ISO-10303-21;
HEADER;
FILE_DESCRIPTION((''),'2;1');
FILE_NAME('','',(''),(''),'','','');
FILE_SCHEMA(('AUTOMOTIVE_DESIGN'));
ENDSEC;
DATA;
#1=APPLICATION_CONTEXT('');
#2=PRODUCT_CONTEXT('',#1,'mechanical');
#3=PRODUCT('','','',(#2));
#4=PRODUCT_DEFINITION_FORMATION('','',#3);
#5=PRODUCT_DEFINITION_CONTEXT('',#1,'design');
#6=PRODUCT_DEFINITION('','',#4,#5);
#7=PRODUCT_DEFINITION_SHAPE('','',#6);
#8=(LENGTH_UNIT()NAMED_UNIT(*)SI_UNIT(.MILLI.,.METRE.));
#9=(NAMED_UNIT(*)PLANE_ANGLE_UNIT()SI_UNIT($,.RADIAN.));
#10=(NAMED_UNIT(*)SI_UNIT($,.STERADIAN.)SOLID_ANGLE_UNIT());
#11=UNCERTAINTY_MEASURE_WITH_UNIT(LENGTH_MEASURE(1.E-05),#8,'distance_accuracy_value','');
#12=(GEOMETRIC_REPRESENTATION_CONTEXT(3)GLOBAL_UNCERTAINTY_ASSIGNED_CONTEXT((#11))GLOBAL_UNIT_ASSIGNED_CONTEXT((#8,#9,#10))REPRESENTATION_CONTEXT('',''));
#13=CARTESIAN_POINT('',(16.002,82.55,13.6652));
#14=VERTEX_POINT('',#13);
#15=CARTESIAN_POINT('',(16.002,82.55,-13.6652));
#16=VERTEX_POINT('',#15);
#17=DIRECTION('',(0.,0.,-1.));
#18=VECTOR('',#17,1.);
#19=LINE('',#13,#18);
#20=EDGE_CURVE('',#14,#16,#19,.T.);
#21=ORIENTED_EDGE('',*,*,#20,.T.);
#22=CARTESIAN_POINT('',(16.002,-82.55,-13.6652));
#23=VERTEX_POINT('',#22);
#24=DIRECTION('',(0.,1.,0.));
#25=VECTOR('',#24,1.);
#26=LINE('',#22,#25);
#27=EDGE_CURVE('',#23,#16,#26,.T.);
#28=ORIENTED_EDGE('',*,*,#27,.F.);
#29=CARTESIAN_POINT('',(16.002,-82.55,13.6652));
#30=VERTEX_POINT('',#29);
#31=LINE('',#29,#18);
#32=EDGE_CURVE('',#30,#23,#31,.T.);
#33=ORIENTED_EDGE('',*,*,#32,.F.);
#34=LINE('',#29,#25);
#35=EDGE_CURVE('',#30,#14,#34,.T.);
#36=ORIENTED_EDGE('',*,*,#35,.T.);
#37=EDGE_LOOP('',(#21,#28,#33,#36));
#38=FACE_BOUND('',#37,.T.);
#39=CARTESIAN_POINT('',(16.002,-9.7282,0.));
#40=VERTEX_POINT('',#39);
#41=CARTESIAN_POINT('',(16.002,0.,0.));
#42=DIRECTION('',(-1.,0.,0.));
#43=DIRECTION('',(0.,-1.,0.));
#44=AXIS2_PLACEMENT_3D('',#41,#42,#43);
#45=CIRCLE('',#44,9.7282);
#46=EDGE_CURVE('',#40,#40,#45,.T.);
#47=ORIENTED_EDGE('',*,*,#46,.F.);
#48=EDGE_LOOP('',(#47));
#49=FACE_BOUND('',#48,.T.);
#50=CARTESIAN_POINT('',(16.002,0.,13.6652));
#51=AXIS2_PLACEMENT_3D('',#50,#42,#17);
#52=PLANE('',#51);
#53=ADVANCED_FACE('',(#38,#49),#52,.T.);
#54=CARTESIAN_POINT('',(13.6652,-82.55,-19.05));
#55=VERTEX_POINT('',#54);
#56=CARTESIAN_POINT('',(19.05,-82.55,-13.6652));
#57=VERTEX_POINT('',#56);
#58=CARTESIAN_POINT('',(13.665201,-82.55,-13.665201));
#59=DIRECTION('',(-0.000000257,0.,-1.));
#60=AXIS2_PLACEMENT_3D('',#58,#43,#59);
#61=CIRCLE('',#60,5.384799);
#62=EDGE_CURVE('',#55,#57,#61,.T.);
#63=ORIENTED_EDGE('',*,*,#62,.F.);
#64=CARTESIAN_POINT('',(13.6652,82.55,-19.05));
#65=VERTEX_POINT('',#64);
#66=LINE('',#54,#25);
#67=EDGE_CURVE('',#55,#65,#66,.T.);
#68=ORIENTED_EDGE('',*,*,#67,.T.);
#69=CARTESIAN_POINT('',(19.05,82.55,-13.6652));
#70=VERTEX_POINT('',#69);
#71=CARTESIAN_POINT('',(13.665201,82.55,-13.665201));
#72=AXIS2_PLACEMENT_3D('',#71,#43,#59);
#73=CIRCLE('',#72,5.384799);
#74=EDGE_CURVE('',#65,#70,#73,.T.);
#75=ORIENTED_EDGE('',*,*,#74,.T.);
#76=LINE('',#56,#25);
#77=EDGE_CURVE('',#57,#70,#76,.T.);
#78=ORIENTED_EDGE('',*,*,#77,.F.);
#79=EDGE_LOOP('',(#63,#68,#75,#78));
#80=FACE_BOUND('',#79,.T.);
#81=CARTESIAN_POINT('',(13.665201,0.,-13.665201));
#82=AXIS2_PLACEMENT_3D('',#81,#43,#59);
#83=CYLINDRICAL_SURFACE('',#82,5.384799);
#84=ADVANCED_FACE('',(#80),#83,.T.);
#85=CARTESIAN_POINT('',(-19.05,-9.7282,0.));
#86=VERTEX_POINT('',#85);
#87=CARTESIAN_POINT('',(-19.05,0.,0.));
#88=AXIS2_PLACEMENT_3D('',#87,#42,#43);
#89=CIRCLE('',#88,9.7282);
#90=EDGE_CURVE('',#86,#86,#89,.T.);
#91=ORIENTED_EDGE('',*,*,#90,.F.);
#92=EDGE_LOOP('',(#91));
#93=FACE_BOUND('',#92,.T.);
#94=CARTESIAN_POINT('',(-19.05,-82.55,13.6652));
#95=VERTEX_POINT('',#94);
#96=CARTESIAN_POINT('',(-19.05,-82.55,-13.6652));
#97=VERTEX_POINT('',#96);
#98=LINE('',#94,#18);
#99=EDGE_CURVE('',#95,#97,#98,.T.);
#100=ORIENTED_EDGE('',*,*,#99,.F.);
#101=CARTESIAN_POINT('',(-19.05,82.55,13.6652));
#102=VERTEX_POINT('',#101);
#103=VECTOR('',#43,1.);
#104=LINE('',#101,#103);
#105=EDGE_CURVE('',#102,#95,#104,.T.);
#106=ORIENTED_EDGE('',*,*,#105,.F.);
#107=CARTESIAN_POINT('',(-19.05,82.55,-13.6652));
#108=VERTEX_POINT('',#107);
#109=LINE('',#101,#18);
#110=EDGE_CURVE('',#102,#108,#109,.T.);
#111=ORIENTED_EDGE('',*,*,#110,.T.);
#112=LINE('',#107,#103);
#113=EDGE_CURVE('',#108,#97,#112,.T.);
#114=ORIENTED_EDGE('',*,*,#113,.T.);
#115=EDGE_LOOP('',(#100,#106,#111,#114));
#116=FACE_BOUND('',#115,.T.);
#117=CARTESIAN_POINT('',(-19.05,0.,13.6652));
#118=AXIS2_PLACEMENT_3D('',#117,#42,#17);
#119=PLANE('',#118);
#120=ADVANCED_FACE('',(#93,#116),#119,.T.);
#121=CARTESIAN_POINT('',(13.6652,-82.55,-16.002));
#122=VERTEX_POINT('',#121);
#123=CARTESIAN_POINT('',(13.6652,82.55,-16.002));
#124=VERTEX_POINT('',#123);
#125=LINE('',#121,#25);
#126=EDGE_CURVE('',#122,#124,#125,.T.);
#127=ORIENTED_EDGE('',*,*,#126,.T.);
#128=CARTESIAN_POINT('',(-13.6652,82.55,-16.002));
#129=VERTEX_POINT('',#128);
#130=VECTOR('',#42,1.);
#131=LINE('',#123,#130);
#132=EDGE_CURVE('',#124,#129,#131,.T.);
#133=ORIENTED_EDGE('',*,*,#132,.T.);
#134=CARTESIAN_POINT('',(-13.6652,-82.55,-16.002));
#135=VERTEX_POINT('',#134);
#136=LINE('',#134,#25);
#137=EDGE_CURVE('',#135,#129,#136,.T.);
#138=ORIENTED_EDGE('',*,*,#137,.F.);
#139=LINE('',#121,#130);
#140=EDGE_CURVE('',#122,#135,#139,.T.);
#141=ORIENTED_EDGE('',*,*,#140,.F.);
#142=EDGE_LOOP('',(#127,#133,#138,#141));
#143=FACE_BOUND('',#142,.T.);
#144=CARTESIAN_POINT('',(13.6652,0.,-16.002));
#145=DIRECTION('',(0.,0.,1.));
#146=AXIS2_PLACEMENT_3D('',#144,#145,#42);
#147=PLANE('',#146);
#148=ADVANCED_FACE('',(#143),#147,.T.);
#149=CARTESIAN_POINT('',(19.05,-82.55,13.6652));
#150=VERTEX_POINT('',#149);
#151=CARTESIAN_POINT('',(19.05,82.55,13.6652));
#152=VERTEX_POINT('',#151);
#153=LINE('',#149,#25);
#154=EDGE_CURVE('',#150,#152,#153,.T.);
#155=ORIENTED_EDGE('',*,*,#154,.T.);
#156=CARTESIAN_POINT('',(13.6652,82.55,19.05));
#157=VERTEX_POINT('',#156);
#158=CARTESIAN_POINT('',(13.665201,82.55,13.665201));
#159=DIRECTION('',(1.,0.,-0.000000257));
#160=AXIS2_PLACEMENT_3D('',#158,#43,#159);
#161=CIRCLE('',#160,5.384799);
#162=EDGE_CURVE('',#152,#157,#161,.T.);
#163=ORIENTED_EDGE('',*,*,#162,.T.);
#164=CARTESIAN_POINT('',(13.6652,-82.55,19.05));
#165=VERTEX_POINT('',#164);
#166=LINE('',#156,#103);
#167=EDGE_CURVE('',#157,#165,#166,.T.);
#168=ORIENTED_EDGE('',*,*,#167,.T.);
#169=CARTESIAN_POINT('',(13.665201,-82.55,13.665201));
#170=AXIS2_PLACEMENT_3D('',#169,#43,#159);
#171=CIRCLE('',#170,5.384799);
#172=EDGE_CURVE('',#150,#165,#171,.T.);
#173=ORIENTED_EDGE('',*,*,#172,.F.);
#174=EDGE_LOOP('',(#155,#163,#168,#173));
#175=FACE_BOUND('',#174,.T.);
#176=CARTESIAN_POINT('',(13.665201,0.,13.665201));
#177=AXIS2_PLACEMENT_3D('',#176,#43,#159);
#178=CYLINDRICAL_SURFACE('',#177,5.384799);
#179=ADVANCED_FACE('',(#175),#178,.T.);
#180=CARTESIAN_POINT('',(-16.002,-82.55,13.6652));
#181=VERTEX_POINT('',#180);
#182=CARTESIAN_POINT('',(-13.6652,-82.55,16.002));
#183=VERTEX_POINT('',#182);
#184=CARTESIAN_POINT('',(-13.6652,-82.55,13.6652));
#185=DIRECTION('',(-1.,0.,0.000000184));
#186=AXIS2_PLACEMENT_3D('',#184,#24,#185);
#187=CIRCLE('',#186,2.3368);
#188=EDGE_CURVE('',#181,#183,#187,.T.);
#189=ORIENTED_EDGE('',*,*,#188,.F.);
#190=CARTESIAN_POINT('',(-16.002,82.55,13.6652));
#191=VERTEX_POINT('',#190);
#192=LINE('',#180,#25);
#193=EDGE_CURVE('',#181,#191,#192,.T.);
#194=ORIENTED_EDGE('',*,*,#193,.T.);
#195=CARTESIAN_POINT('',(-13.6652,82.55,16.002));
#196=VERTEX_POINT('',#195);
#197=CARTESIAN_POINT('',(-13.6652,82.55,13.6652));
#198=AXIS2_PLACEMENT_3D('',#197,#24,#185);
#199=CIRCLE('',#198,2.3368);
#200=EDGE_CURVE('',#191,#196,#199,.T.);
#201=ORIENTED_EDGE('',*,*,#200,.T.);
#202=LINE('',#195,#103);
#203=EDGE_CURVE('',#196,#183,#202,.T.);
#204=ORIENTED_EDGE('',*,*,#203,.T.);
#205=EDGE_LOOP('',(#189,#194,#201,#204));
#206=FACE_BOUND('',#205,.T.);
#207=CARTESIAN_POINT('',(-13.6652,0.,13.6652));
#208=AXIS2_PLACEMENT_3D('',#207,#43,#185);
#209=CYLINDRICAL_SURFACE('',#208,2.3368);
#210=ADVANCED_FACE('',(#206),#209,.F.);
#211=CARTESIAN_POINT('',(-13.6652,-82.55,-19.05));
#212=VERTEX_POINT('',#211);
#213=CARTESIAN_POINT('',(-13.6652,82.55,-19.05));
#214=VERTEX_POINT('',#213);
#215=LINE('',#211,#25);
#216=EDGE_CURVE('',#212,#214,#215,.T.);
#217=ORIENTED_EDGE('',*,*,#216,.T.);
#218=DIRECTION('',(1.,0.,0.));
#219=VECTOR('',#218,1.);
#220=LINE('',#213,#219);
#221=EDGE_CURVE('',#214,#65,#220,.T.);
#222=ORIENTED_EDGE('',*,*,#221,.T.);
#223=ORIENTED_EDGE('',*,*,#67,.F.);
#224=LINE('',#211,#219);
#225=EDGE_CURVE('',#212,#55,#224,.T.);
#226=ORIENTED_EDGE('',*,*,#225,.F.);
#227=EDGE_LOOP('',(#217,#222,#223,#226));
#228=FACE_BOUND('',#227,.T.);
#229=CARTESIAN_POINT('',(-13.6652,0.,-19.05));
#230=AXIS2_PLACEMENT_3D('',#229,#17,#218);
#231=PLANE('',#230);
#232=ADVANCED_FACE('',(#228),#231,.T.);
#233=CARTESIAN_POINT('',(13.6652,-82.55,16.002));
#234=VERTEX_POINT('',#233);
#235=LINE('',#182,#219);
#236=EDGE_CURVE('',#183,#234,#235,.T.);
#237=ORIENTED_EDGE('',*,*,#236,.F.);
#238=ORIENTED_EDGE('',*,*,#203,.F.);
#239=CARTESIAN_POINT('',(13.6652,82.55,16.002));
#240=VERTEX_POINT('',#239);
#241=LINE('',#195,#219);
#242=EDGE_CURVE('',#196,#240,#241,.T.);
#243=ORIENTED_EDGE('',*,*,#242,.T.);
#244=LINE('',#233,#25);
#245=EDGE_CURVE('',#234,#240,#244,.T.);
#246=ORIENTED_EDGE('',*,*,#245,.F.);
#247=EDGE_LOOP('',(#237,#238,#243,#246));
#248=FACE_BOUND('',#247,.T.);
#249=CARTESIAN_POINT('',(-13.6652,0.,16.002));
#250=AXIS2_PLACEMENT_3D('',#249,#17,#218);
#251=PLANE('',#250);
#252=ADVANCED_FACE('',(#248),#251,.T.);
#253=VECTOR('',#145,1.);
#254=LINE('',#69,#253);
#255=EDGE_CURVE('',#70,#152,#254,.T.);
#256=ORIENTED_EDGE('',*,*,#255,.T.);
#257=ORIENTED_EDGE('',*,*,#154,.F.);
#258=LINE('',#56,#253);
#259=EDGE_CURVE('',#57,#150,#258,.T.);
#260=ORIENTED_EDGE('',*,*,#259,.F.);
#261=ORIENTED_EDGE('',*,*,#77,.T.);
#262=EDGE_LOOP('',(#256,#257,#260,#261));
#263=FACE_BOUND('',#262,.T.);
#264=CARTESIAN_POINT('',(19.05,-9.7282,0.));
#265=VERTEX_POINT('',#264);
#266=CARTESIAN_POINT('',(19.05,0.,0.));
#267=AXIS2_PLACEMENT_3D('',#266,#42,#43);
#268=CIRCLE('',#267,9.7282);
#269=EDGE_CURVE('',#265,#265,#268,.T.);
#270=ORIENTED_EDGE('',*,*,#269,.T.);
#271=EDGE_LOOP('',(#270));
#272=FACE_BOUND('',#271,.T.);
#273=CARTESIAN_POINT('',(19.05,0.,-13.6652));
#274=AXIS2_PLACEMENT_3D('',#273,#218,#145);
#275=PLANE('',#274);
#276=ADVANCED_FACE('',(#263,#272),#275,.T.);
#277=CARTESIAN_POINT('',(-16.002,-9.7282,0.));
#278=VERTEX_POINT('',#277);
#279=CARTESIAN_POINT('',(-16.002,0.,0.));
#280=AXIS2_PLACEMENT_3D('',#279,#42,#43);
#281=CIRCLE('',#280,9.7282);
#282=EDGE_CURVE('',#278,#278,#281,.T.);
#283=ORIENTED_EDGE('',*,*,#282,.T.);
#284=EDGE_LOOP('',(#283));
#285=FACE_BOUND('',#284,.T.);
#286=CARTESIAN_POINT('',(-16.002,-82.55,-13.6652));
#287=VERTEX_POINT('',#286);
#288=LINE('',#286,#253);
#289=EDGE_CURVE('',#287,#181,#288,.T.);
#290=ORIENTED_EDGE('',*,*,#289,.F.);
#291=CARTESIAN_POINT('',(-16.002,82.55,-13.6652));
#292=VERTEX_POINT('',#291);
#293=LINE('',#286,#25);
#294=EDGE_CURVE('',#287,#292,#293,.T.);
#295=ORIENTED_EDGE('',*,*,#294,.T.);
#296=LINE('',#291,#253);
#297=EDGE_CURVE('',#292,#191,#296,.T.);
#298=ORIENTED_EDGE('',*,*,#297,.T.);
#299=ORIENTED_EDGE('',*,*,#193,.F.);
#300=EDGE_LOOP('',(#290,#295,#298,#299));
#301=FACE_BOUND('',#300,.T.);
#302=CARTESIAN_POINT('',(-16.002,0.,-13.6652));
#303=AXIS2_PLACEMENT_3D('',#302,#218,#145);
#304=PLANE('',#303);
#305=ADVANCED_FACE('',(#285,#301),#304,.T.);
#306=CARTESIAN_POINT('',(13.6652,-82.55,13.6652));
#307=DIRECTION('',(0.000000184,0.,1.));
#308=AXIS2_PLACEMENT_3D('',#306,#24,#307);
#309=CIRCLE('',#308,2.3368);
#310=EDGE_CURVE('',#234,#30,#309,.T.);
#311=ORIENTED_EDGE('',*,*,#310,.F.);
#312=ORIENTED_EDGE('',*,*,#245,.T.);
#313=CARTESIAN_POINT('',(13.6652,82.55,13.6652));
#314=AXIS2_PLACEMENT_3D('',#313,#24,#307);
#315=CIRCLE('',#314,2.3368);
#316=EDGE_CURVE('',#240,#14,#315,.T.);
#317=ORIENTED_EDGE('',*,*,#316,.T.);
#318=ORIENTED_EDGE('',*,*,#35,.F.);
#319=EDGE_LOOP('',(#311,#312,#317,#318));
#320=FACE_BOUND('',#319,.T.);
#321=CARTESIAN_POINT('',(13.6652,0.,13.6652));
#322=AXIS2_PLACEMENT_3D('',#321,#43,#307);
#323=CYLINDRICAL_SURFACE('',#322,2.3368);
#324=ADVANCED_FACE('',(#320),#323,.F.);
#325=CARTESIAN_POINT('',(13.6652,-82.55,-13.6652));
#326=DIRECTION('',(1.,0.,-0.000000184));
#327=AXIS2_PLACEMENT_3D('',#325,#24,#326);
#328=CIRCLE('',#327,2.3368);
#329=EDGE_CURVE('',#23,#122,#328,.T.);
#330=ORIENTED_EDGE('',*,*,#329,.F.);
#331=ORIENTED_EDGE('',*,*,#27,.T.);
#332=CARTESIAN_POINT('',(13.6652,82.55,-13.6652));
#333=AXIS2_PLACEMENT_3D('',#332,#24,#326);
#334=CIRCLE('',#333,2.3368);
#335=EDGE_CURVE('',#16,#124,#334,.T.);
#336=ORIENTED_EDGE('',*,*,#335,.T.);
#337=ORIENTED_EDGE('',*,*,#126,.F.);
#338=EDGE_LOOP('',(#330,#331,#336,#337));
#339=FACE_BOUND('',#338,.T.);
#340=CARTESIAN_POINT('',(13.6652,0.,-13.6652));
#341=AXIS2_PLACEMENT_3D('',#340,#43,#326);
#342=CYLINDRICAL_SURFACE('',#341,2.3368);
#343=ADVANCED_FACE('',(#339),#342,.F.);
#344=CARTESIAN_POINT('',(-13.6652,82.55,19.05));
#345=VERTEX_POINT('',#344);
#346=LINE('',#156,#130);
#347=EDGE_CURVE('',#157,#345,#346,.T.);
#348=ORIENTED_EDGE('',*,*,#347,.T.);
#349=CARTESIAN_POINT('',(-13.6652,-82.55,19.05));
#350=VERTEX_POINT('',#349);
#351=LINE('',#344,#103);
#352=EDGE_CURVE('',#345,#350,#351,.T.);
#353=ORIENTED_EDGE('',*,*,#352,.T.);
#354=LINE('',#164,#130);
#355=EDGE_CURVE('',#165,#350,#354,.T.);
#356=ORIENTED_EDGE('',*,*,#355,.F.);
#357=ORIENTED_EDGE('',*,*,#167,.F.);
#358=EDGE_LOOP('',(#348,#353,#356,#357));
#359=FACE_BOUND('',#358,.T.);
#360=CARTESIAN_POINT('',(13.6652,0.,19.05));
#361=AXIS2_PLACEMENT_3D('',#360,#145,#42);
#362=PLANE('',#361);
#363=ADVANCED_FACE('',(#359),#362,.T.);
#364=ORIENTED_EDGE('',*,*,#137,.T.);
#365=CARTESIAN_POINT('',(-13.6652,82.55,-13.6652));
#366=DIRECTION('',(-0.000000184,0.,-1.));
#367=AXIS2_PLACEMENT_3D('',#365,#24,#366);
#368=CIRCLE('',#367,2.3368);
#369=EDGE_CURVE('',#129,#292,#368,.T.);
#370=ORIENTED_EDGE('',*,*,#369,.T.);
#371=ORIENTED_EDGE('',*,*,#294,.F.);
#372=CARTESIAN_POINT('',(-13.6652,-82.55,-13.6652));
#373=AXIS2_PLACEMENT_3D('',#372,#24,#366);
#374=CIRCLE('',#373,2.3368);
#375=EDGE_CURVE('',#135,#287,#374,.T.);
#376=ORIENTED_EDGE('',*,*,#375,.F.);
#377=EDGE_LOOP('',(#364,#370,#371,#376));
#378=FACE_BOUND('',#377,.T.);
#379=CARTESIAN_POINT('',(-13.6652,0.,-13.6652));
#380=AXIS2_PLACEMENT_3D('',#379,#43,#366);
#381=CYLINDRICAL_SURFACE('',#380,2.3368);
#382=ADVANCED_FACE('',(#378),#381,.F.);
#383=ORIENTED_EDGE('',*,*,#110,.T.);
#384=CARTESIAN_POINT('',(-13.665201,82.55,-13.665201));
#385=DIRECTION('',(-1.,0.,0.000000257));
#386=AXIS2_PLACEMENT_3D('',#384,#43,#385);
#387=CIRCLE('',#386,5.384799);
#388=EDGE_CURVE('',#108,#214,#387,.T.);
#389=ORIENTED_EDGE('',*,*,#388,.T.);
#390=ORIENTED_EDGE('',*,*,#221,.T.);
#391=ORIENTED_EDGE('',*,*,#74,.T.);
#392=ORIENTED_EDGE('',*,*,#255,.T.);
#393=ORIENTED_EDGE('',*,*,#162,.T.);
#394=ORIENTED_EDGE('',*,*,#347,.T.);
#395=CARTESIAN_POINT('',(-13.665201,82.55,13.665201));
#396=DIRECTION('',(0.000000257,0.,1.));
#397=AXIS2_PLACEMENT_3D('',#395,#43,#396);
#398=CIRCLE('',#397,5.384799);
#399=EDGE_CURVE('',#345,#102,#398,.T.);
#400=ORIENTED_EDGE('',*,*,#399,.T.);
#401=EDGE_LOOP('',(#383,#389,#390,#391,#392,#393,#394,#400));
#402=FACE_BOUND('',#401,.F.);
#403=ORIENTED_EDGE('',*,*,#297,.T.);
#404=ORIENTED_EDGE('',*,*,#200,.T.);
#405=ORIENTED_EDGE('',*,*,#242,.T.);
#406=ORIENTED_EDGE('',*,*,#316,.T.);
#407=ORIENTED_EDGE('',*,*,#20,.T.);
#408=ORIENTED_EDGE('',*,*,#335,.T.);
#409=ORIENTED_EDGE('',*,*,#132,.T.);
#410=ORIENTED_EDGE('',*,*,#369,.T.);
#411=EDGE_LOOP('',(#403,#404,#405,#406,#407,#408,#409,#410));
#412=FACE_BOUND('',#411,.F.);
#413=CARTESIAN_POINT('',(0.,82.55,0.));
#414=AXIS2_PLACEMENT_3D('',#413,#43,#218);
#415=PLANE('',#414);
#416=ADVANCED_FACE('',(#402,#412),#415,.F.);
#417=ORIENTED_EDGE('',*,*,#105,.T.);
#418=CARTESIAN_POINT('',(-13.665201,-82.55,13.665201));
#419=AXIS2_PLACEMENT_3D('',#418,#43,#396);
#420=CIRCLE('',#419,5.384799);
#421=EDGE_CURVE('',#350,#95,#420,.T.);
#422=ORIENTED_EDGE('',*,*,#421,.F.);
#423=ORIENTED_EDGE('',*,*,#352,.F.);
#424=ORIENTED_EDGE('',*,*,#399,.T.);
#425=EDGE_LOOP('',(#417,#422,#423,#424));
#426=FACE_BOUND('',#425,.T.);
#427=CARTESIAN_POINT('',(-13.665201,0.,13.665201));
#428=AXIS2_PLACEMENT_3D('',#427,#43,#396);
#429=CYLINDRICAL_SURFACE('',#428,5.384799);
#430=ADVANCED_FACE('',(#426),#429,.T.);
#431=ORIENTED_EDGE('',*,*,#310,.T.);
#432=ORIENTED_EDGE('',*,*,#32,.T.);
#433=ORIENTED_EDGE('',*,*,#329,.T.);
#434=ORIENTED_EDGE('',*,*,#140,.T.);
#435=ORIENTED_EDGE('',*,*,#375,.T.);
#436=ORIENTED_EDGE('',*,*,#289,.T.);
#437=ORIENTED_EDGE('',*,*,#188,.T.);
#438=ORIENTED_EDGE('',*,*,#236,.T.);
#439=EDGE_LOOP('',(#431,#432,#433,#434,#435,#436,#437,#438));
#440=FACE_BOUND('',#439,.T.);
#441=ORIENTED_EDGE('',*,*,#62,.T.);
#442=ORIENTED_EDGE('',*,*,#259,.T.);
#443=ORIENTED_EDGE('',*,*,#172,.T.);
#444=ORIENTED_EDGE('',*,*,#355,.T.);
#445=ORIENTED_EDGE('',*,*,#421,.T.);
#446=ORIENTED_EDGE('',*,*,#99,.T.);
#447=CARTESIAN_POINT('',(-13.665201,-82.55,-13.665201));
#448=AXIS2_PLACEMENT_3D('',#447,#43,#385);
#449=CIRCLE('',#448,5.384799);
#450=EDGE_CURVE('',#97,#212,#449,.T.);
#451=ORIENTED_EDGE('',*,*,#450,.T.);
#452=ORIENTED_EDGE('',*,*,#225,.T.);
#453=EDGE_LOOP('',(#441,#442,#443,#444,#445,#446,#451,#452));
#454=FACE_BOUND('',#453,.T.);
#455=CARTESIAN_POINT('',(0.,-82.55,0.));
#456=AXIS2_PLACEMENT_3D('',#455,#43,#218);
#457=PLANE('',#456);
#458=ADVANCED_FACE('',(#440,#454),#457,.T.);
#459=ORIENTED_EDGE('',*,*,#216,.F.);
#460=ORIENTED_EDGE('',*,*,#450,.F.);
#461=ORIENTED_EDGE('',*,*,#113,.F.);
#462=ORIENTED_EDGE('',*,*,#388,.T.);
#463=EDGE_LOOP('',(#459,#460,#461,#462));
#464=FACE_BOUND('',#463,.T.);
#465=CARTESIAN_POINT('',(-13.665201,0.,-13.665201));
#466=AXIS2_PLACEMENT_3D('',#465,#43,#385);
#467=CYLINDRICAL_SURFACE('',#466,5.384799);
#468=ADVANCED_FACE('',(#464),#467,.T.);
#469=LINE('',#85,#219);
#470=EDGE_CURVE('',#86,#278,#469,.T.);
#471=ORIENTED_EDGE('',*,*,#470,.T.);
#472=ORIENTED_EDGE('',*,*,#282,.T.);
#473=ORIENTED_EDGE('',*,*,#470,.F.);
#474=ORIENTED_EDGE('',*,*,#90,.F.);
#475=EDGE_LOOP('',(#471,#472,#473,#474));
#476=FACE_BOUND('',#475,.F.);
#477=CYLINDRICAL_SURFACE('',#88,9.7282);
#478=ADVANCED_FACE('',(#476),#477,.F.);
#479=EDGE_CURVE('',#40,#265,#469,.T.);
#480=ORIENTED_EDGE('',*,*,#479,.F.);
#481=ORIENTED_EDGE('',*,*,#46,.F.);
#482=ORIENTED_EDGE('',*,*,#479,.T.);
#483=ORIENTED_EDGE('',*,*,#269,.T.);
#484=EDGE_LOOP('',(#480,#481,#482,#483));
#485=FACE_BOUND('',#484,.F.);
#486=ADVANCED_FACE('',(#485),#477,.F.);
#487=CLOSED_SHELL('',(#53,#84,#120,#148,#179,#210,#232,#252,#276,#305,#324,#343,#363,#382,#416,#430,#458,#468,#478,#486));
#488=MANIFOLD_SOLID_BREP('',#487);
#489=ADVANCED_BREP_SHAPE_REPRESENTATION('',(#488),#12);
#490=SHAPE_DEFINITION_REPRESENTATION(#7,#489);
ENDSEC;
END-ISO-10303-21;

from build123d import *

# Parameters (mm, degrees)
F1_DEPTH = 82.55
F2_R     = 9.7282
F3_DEPTH = 38.101


with BuildPart() as f1:
    # F0 (on Front) → F1 (new body, symmetric)
    with BuildSketch(Plane.XZ):
        with BuildLine():
            ThreePointArc((19.05, 13.6652), (17.472829, 17.472829), (13.6652, 19.05))
            Line((13.6652, 19.05), (-13.6652, 19.05))
            ThreePointArc((-13.6652, 19.05), (-17.472829, 17.472829), (-19.05, 13.6652))
            Line((-19.05, 13.6652), (-19.05, -13.6652))
            ThreePointArc((-19.05, -13.6652), (-17.472829, -17.472829), (-13.6652, -19.05))
            Line((-13.6652, -19.05), (13.6652, -19.05))
            ThreePointArc((13.6652, -19.05), (17.472829, -17.472829), (19.05, -13.6652))
            Line((19.05, -13.6652), (19.05, 13.6652))
        make_face()
        with BuildLine():
            Line((-13.6652, 16.002), (13.6652, 16.002))
            ThreePointArc((13.6652, 16.002), (15.317567, 15.317567), (16.002, 13.6652))
            Line((16.002, 13.6652), (16.002, -13.6652))
            ThreePointArc((16.002, -13.6652), (15.317567, -15.317567), (13.6652, -16.002))
            Line((13.6652, -16.002), (-13.6652, -16.002))
            ThreePointArc((-13.6652, -16.002), (-15.317567, -15.317567), (-16.002, -13.6652))
            Line((-16.002, -13.6652), (-16.002, 13.6652))
            ThreePointArc((-16.002, 13.6652), (-15.317567, 15.317567), (-13.6652, 16.002))
        make_face(mode=Mode.SUBTRACT)
    extrude(amount=F1_DEPTH, both=True)

    # F2 (on face) → F3 (cut, through all)
    with BuildSketch(Plane(origin=(-19.05, 0, 0), x_dir=(0, -1, 0), z_dir=(-1, 0, 0))):
        Circle(F2_R)
    extrude(amount=-F3_DEPTH, mode=Mode.SUBTRACT)


solid = f1.part
